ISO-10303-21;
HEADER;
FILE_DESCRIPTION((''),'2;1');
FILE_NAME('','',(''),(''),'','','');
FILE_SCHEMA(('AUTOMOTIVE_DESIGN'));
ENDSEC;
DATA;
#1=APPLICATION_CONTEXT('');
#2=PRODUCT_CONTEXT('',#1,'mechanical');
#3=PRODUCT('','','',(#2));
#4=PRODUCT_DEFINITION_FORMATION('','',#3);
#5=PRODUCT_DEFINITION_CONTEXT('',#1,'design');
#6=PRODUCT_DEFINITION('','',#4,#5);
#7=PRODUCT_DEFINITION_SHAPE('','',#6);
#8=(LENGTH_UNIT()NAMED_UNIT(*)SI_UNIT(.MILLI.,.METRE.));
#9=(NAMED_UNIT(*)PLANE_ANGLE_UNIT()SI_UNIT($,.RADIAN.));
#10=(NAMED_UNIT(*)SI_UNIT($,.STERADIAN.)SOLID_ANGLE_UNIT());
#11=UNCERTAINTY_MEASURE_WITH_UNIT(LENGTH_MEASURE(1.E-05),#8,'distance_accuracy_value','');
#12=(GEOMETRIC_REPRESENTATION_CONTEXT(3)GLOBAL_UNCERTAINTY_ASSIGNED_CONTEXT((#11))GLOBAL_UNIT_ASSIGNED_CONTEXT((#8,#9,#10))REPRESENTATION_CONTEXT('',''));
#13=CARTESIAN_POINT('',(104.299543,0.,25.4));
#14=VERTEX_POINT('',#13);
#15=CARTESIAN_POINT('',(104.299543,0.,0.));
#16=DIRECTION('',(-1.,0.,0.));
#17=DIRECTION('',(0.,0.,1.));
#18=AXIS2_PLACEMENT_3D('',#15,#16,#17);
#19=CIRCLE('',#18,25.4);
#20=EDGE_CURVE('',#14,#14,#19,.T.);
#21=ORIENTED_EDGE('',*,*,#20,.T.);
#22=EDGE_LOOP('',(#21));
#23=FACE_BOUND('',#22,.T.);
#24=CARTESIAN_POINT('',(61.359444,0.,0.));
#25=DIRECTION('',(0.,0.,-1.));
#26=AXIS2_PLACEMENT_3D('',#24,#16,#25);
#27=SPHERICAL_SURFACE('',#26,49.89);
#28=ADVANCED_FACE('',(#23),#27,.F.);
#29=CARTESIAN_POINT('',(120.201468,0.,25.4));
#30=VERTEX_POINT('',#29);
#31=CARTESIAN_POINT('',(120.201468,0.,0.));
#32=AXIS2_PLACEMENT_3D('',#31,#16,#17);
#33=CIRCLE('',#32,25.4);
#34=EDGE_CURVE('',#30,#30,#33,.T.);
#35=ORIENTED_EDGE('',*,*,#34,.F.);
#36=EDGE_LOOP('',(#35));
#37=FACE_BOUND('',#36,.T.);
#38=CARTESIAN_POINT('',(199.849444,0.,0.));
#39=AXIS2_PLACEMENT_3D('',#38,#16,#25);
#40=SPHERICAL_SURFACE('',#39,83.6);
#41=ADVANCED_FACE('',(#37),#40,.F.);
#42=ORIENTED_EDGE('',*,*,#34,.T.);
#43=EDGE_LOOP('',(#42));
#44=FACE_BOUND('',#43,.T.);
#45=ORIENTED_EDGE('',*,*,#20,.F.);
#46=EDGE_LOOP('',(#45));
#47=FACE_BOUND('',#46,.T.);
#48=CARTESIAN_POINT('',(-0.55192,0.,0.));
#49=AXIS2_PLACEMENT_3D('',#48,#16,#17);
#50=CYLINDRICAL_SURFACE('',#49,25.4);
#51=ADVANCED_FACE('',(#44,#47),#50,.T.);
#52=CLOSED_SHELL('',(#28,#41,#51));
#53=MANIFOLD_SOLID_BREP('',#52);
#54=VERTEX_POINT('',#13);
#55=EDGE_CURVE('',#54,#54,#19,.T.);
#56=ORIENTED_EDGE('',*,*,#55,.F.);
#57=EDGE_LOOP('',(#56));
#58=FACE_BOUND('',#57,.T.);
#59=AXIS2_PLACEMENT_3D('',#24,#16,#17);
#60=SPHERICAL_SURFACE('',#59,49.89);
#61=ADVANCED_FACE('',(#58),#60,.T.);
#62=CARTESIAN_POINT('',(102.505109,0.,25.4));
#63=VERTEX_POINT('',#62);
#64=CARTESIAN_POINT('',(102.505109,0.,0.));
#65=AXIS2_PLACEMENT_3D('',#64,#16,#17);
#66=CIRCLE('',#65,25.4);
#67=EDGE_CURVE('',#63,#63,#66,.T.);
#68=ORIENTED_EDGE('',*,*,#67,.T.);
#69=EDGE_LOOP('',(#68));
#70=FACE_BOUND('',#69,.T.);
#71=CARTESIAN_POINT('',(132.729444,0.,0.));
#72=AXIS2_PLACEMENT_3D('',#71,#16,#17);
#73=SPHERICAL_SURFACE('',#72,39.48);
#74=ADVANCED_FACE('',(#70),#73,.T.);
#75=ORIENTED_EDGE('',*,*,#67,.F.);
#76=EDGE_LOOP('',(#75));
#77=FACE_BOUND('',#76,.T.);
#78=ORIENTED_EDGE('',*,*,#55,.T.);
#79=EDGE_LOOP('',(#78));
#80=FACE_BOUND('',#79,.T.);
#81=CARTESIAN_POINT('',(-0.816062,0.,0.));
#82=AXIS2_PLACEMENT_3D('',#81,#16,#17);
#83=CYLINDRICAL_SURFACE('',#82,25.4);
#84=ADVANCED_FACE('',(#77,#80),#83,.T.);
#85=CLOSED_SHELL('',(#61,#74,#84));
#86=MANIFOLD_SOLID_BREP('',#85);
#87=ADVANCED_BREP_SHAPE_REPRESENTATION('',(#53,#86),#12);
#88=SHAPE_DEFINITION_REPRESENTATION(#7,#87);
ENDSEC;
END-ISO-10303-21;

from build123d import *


with BuildPart() as part:
    # 草图1 one side → 旋转1 (revolve)
    with BuildSketch(Plane(origin=(0, 0, 0), x_dir=(1, 0, 0), z_dir=(0, 1, 0)), mode=Mode.PRIVATE) as revolve_1_sk:
        with BuildLine():
            ThreePointArc((102.505109216, 25.4), (95.635460924, 13.516909249), (93.249443783, 0))
            Line((93.249443783, 0), (111.249443783, 0))
            ThreePointArc((111.249443783, 0), (109.480611879, 13.166825018), (104.299542758, 25.4))
            Line((104.299542758, 25.4), (102.505109216, 25.4))
        make_face()
    revolve(revolve_1_sk.sketch.rotate(Axis((-0.816062176, 0, 0), (1, 0, 0)), 180), axis=Axis((-0.816062176, 0, 0), (1, 0, 0)))  # turned: the seam where the file's is


with BuildPart() as body_2:
    # 草图2 one side → 旋转2 (revolve)
    with BuildSketch(Plane(origin=(0, 0, 0), x_dir=(1, 0, 0), z_dir=(0, 1, 0)), mode=Mode.PRIVATE) as revolve_2_sk:
        with BuildLine():
            Line((120.20146829, 25.4), (104.299542758, 25.4))
            ThreePointArc((104.299542758, 25.4), (109.480611879, 13.166825018), (111.249443783, 0))
            Line((111.249443783, 0), (116.249443783, 0))
            ThreePointArc((116.249443783, 0), (117.243358198, 12.852806092), (120.20146829, 25.4))
        make_face()
    revolve(revolve_2_sk.sketch.rotate(Axis((-0.551919993, 0, 0), (1, 0, 0)), 180), axis=Axis((-0.551919993, 0, 0), (1, 0, 0)))  # turned: the seam where the file's is


solid = Compound([part.part, body_2.part])
